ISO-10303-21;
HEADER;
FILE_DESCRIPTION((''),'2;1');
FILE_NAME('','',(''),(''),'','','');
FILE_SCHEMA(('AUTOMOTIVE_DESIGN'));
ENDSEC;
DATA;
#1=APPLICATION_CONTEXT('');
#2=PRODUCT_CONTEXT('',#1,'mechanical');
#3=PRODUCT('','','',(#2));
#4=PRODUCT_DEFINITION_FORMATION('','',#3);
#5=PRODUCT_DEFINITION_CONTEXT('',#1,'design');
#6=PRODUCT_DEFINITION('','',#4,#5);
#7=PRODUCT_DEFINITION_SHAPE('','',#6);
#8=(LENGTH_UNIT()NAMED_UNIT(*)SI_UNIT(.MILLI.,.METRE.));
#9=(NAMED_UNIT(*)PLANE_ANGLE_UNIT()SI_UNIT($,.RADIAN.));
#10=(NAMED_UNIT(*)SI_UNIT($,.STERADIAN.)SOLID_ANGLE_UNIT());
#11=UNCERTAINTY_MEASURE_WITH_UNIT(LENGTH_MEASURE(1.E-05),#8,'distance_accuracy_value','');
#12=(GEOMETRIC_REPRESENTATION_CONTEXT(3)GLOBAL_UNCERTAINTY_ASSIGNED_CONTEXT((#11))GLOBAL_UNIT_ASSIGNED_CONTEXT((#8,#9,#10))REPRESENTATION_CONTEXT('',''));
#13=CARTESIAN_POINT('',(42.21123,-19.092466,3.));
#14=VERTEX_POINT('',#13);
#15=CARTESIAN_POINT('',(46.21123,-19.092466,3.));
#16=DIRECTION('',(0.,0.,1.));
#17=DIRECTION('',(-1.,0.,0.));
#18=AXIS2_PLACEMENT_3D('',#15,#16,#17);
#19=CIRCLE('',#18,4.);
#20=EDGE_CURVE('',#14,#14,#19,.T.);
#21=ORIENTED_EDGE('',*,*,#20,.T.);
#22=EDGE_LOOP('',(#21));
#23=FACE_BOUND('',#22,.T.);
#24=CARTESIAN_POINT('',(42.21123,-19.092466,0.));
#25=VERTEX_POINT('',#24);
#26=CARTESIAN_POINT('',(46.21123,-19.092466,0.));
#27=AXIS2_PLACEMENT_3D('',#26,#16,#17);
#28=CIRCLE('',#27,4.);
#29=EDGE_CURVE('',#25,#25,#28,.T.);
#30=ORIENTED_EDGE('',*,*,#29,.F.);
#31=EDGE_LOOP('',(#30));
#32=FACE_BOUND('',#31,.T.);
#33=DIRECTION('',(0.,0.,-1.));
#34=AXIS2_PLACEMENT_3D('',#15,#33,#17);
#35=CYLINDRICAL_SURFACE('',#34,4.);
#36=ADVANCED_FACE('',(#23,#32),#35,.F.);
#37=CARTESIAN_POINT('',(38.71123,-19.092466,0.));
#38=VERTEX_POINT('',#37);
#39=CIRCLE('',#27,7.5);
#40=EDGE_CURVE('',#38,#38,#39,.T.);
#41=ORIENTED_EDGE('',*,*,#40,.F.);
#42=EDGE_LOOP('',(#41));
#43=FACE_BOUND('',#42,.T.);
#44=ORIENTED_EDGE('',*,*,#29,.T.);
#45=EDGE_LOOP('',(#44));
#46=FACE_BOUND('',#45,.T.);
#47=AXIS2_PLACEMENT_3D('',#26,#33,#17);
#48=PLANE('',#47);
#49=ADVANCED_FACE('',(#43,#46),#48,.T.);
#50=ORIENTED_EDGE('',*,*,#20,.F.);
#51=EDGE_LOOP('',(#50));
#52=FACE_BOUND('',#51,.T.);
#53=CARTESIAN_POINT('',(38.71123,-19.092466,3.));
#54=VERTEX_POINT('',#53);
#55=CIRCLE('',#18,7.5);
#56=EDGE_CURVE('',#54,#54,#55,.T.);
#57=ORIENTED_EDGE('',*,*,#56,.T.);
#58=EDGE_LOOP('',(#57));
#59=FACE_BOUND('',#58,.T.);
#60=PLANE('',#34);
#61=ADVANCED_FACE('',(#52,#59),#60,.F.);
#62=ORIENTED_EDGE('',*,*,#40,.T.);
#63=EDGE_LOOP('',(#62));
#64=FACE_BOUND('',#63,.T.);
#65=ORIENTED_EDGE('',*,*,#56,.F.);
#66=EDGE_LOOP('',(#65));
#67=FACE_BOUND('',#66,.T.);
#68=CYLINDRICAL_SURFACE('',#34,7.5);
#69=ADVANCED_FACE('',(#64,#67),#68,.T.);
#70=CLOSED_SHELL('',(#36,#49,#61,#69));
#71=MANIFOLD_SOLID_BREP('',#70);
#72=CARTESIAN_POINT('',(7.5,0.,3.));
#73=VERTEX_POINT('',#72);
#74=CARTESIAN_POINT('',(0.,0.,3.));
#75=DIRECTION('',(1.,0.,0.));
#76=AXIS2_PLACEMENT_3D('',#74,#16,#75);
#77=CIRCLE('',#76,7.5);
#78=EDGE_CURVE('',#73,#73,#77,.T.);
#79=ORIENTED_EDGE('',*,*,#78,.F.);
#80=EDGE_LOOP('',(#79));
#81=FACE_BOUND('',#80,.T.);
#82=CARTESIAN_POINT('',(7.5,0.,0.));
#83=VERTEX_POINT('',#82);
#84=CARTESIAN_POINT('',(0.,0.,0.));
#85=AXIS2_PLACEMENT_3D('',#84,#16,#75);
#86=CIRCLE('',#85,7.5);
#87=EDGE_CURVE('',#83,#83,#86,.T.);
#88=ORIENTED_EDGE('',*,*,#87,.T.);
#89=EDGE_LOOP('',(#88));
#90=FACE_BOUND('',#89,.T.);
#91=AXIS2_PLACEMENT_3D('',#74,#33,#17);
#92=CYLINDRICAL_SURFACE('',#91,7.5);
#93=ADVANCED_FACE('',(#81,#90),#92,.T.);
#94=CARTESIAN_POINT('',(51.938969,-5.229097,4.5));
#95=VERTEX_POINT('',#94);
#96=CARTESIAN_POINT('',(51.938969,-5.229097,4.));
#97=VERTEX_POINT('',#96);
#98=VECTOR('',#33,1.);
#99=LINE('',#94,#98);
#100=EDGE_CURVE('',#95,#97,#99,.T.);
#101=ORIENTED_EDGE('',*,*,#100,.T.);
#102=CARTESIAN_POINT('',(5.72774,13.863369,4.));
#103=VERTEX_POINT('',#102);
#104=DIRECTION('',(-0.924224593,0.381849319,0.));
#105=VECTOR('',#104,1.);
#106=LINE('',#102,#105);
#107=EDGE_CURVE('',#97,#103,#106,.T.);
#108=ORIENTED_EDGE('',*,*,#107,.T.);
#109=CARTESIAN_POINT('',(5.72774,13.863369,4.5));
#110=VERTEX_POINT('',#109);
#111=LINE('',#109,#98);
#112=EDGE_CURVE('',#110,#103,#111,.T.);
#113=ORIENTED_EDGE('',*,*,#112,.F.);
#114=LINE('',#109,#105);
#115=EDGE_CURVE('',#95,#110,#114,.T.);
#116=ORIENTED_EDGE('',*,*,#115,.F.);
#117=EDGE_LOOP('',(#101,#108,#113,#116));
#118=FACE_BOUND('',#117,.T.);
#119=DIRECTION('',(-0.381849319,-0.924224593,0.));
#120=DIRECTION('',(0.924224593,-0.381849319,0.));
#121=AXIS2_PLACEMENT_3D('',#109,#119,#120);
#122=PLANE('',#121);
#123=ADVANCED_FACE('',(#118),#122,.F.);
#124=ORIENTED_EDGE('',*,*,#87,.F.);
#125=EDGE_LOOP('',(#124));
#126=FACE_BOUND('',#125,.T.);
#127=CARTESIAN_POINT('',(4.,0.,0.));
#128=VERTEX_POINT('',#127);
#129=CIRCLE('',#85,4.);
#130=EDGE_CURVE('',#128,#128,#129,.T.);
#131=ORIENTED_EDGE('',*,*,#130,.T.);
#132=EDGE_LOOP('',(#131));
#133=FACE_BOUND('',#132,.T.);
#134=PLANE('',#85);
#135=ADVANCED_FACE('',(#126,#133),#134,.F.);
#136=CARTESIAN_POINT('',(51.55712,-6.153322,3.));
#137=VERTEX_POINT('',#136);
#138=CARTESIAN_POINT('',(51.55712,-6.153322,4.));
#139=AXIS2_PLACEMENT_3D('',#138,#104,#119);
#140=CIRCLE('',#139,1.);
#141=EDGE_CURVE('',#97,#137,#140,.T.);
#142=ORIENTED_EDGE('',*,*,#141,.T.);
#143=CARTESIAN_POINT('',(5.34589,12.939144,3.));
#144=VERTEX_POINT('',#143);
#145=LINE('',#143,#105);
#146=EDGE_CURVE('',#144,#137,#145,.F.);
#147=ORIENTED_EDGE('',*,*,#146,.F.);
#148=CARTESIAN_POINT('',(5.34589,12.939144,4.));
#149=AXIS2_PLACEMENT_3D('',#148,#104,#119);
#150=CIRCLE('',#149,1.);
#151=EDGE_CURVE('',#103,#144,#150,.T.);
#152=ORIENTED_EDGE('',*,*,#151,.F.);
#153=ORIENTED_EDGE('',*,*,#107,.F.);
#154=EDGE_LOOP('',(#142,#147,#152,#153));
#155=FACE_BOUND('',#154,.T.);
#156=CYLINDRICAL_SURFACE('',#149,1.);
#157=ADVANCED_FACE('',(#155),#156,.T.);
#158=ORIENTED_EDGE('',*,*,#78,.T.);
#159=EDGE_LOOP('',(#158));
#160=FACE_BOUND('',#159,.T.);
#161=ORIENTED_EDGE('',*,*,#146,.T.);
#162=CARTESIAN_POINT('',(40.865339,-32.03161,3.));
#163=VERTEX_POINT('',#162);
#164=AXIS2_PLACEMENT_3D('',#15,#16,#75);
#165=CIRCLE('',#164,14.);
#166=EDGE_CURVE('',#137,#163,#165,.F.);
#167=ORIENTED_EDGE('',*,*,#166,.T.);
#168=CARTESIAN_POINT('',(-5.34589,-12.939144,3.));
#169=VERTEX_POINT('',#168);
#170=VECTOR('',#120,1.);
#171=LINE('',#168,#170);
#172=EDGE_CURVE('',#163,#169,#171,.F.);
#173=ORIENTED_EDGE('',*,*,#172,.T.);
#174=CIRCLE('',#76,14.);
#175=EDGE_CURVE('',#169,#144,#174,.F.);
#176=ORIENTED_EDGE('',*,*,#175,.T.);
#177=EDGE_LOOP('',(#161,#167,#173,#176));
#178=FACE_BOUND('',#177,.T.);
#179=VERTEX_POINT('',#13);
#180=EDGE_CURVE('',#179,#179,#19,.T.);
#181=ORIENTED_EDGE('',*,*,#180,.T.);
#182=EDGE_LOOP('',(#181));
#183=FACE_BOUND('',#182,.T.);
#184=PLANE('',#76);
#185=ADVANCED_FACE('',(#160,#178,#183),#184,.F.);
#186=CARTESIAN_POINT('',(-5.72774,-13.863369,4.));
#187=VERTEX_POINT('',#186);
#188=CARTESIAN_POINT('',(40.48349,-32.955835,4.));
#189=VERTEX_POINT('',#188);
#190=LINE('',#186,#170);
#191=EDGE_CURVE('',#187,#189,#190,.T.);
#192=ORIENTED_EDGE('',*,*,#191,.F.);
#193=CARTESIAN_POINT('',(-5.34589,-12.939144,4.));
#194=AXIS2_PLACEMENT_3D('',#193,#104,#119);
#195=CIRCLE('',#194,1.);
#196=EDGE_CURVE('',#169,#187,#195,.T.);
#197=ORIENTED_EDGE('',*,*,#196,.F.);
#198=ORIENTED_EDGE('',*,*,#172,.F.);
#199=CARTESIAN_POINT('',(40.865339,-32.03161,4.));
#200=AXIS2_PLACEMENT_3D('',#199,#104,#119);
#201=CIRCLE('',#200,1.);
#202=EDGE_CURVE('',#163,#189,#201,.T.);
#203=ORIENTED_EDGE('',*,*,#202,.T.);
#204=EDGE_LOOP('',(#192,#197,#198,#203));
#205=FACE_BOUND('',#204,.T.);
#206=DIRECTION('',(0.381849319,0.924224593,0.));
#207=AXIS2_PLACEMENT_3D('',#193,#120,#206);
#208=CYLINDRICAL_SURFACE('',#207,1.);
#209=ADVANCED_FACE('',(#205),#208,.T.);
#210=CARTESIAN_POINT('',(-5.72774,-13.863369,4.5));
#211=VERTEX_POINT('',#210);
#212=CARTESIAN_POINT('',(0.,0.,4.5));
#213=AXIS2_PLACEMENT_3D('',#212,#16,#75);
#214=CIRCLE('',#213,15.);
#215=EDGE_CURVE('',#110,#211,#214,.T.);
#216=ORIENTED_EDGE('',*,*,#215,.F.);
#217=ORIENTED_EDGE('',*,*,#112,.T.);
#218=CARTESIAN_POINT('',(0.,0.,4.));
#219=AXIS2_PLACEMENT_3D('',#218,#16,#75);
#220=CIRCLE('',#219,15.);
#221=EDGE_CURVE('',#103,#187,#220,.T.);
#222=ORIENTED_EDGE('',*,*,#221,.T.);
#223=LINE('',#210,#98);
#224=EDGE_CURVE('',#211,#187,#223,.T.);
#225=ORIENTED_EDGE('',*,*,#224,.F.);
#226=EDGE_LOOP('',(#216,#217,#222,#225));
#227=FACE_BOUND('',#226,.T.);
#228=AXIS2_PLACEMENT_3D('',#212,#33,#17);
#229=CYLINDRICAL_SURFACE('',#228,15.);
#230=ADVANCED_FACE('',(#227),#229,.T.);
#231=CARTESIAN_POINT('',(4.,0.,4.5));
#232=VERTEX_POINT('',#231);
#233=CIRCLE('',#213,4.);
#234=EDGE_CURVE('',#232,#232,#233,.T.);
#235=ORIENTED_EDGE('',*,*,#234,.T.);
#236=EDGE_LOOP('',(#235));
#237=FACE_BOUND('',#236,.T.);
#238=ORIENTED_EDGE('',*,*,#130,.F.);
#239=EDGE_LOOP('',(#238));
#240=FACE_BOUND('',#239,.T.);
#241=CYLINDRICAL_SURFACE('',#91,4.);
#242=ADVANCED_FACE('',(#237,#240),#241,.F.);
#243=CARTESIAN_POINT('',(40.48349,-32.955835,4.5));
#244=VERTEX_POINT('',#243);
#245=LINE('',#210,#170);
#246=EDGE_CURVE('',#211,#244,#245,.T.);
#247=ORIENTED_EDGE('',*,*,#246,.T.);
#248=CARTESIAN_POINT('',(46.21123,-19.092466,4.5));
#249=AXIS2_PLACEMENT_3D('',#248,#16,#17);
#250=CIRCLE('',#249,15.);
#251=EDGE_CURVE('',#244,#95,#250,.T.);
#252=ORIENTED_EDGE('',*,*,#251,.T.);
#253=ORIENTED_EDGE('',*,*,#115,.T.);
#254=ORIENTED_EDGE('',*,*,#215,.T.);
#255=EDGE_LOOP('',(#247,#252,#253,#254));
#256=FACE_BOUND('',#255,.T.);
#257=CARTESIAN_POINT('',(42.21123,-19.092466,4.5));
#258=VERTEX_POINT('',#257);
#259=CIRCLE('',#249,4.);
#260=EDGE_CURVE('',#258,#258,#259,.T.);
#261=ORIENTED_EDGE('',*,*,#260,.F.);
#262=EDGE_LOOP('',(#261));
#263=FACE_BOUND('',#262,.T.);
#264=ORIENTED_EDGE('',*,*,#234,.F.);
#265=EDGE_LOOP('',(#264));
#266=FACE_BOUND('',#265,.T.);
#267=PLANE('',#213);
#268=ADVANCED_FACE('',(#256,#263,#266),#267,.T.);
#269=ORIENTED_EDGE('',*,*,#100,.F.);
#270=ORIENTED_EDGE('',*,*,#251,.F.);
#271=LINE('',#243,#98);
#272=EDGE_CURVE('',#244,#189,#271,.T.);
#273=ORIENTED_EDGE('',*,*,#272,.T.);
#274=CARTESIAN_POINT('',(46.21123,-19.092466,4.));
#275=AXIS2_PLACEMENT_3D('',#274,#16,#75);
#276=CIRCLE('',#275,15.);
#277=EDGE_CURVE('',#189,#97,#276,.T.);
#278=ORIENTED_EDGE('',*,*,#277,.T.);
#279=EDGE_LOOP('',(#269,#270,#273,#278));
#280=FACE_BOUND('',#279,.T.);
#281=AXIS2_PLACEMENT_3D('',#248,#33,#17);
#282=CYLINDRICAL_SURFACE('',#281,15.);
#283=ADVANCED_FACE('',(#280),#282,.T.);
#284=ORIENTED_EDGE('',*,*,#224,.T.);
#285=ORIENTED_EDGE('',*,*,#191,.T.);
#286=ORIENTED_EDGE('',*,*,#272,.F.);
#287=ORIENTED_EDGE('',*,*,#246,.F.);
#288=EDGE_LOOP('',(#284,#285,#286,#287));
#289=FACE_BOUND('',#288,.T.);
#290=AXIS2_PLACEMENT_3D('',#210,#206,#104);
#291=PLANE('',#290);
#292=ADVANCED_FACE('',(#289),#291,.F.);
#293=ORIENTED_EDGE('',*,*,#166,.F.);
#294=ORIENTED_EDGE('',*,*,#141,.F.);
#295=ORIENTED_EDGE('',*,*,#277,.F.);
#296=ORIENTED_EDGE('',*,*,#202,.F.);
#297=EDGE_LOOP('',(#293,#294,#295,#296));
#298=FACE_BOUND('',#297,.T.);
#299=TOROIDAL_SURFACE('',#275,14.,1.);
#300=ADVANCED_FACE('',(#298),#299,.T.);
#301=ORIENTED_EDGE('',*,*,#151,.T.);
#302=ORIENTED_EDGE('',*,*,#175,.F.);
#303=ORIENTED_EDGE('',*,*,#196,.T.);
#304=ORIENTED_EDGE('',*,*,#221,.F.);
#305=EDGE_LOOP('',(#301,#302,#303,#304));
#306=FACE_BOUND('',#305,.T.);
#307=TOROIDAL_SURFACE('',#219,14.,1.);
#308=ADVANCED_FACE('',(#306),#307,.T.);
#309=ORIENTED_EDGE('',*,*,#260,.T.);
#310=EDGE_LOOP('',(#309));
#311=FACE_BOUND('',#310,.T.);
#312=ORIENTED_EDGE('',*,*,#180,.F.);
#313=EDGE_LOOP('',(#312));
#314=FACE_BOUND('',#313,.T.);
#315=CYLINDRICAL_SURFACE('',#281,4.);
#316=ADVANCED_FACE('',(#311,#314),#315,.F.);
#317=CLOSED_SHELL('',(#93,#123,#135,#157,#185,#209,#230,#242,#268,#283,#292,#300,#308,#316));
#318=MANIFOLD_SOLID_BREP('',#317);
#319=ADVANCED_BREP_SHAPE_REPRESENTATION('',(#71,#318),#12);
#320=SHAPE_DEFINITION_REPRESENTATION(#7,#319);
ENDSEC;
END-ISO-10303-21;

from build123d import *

# Parameters (mm, degrees)
SKETCH1_R             = 7.5
SKETCH1_R_2           = 4
BOSS_EXTRUDE1_DEPTH   = 3
BOSS_EXTRUDE1_2_DEPTH = 3
SKETCH2_R             = 4
BOSS_EXTRUDE2_DEPTH   = 1.5
FILLET1_R             = 1


with BuildPart() as part:
    # Sketch1 → Boss-Extrude1 (new body)
    with BuildSketch(Plane.XY):
        Circle(SKETCH1_R)
        Circle(SKETCH1_R_2, mode=Mode.SUBTRACT)
    extrude(amount=BOSS_EXTRUDE1_DEPTH)

    # Sketch2 → Boss-Extrude2 (add)
    with BuildSketch(Plane.XY.offset(3)):
        with BuildLine():
            Line((5.72773978, 13.863368891), (51.938969417, -5.229097043))
            ThreePointArc((51.938969417, -5.229097043), (60.074598528, -24.820205715), (40.483489857, -32.955834825))
            Line((40.483489857, -32.955834825), (-5.72773978, -13.863368891))
            ThreePointArc((-5.72773978, -13.863368891), (-13.863368891, 5.72773978), (5.72773978, 13.863368891))
        make_face()
        Circle(SKETCH2_R, mode=Mode.SUBTRACT)
        with Locations(Location((46.211229637, -19.092465934, 0), (0, 0, 180))):
            Circle(SKETCH2_R, mode=Mode.SUBTRACT)
    extrude(amount=BOSS_EXTRUDE2_DEPTH)

    # Fillet1
    fillet1_edges = [part.edges().sort_by_distance(p)[0] for p in [
        (-13.863368891, 5.72773978, 3),
        (17.377875038, -23.409601858, 3),
        (60.074598528, -24.820205715, 3),
        (28.833354599, 4.317135924, 3),
    ]]
    fillet(fillet1_edges, radius=FILLET1_R)


with BuildPart() as body_2:
    # Sketch1 → Boss-Extrude1 2 (new body)
    with BuildSketch(Plane.XY):
        with Locations(Location((46.211229637, -19.092465934, 0), (0, 0, 180))):
            Circle(SKETCH1_R)
        with Locations(Location((46.211229637, -19.092465934, 0), (0, 0, 180))):
            Circle(SKETCH1_R_2, mode=Mode.SUBTRACT)
    extrude(amount=BOSS_EXTRUDE1_2_DEPTH)


solid = Compound([part.part, body_2.part])
